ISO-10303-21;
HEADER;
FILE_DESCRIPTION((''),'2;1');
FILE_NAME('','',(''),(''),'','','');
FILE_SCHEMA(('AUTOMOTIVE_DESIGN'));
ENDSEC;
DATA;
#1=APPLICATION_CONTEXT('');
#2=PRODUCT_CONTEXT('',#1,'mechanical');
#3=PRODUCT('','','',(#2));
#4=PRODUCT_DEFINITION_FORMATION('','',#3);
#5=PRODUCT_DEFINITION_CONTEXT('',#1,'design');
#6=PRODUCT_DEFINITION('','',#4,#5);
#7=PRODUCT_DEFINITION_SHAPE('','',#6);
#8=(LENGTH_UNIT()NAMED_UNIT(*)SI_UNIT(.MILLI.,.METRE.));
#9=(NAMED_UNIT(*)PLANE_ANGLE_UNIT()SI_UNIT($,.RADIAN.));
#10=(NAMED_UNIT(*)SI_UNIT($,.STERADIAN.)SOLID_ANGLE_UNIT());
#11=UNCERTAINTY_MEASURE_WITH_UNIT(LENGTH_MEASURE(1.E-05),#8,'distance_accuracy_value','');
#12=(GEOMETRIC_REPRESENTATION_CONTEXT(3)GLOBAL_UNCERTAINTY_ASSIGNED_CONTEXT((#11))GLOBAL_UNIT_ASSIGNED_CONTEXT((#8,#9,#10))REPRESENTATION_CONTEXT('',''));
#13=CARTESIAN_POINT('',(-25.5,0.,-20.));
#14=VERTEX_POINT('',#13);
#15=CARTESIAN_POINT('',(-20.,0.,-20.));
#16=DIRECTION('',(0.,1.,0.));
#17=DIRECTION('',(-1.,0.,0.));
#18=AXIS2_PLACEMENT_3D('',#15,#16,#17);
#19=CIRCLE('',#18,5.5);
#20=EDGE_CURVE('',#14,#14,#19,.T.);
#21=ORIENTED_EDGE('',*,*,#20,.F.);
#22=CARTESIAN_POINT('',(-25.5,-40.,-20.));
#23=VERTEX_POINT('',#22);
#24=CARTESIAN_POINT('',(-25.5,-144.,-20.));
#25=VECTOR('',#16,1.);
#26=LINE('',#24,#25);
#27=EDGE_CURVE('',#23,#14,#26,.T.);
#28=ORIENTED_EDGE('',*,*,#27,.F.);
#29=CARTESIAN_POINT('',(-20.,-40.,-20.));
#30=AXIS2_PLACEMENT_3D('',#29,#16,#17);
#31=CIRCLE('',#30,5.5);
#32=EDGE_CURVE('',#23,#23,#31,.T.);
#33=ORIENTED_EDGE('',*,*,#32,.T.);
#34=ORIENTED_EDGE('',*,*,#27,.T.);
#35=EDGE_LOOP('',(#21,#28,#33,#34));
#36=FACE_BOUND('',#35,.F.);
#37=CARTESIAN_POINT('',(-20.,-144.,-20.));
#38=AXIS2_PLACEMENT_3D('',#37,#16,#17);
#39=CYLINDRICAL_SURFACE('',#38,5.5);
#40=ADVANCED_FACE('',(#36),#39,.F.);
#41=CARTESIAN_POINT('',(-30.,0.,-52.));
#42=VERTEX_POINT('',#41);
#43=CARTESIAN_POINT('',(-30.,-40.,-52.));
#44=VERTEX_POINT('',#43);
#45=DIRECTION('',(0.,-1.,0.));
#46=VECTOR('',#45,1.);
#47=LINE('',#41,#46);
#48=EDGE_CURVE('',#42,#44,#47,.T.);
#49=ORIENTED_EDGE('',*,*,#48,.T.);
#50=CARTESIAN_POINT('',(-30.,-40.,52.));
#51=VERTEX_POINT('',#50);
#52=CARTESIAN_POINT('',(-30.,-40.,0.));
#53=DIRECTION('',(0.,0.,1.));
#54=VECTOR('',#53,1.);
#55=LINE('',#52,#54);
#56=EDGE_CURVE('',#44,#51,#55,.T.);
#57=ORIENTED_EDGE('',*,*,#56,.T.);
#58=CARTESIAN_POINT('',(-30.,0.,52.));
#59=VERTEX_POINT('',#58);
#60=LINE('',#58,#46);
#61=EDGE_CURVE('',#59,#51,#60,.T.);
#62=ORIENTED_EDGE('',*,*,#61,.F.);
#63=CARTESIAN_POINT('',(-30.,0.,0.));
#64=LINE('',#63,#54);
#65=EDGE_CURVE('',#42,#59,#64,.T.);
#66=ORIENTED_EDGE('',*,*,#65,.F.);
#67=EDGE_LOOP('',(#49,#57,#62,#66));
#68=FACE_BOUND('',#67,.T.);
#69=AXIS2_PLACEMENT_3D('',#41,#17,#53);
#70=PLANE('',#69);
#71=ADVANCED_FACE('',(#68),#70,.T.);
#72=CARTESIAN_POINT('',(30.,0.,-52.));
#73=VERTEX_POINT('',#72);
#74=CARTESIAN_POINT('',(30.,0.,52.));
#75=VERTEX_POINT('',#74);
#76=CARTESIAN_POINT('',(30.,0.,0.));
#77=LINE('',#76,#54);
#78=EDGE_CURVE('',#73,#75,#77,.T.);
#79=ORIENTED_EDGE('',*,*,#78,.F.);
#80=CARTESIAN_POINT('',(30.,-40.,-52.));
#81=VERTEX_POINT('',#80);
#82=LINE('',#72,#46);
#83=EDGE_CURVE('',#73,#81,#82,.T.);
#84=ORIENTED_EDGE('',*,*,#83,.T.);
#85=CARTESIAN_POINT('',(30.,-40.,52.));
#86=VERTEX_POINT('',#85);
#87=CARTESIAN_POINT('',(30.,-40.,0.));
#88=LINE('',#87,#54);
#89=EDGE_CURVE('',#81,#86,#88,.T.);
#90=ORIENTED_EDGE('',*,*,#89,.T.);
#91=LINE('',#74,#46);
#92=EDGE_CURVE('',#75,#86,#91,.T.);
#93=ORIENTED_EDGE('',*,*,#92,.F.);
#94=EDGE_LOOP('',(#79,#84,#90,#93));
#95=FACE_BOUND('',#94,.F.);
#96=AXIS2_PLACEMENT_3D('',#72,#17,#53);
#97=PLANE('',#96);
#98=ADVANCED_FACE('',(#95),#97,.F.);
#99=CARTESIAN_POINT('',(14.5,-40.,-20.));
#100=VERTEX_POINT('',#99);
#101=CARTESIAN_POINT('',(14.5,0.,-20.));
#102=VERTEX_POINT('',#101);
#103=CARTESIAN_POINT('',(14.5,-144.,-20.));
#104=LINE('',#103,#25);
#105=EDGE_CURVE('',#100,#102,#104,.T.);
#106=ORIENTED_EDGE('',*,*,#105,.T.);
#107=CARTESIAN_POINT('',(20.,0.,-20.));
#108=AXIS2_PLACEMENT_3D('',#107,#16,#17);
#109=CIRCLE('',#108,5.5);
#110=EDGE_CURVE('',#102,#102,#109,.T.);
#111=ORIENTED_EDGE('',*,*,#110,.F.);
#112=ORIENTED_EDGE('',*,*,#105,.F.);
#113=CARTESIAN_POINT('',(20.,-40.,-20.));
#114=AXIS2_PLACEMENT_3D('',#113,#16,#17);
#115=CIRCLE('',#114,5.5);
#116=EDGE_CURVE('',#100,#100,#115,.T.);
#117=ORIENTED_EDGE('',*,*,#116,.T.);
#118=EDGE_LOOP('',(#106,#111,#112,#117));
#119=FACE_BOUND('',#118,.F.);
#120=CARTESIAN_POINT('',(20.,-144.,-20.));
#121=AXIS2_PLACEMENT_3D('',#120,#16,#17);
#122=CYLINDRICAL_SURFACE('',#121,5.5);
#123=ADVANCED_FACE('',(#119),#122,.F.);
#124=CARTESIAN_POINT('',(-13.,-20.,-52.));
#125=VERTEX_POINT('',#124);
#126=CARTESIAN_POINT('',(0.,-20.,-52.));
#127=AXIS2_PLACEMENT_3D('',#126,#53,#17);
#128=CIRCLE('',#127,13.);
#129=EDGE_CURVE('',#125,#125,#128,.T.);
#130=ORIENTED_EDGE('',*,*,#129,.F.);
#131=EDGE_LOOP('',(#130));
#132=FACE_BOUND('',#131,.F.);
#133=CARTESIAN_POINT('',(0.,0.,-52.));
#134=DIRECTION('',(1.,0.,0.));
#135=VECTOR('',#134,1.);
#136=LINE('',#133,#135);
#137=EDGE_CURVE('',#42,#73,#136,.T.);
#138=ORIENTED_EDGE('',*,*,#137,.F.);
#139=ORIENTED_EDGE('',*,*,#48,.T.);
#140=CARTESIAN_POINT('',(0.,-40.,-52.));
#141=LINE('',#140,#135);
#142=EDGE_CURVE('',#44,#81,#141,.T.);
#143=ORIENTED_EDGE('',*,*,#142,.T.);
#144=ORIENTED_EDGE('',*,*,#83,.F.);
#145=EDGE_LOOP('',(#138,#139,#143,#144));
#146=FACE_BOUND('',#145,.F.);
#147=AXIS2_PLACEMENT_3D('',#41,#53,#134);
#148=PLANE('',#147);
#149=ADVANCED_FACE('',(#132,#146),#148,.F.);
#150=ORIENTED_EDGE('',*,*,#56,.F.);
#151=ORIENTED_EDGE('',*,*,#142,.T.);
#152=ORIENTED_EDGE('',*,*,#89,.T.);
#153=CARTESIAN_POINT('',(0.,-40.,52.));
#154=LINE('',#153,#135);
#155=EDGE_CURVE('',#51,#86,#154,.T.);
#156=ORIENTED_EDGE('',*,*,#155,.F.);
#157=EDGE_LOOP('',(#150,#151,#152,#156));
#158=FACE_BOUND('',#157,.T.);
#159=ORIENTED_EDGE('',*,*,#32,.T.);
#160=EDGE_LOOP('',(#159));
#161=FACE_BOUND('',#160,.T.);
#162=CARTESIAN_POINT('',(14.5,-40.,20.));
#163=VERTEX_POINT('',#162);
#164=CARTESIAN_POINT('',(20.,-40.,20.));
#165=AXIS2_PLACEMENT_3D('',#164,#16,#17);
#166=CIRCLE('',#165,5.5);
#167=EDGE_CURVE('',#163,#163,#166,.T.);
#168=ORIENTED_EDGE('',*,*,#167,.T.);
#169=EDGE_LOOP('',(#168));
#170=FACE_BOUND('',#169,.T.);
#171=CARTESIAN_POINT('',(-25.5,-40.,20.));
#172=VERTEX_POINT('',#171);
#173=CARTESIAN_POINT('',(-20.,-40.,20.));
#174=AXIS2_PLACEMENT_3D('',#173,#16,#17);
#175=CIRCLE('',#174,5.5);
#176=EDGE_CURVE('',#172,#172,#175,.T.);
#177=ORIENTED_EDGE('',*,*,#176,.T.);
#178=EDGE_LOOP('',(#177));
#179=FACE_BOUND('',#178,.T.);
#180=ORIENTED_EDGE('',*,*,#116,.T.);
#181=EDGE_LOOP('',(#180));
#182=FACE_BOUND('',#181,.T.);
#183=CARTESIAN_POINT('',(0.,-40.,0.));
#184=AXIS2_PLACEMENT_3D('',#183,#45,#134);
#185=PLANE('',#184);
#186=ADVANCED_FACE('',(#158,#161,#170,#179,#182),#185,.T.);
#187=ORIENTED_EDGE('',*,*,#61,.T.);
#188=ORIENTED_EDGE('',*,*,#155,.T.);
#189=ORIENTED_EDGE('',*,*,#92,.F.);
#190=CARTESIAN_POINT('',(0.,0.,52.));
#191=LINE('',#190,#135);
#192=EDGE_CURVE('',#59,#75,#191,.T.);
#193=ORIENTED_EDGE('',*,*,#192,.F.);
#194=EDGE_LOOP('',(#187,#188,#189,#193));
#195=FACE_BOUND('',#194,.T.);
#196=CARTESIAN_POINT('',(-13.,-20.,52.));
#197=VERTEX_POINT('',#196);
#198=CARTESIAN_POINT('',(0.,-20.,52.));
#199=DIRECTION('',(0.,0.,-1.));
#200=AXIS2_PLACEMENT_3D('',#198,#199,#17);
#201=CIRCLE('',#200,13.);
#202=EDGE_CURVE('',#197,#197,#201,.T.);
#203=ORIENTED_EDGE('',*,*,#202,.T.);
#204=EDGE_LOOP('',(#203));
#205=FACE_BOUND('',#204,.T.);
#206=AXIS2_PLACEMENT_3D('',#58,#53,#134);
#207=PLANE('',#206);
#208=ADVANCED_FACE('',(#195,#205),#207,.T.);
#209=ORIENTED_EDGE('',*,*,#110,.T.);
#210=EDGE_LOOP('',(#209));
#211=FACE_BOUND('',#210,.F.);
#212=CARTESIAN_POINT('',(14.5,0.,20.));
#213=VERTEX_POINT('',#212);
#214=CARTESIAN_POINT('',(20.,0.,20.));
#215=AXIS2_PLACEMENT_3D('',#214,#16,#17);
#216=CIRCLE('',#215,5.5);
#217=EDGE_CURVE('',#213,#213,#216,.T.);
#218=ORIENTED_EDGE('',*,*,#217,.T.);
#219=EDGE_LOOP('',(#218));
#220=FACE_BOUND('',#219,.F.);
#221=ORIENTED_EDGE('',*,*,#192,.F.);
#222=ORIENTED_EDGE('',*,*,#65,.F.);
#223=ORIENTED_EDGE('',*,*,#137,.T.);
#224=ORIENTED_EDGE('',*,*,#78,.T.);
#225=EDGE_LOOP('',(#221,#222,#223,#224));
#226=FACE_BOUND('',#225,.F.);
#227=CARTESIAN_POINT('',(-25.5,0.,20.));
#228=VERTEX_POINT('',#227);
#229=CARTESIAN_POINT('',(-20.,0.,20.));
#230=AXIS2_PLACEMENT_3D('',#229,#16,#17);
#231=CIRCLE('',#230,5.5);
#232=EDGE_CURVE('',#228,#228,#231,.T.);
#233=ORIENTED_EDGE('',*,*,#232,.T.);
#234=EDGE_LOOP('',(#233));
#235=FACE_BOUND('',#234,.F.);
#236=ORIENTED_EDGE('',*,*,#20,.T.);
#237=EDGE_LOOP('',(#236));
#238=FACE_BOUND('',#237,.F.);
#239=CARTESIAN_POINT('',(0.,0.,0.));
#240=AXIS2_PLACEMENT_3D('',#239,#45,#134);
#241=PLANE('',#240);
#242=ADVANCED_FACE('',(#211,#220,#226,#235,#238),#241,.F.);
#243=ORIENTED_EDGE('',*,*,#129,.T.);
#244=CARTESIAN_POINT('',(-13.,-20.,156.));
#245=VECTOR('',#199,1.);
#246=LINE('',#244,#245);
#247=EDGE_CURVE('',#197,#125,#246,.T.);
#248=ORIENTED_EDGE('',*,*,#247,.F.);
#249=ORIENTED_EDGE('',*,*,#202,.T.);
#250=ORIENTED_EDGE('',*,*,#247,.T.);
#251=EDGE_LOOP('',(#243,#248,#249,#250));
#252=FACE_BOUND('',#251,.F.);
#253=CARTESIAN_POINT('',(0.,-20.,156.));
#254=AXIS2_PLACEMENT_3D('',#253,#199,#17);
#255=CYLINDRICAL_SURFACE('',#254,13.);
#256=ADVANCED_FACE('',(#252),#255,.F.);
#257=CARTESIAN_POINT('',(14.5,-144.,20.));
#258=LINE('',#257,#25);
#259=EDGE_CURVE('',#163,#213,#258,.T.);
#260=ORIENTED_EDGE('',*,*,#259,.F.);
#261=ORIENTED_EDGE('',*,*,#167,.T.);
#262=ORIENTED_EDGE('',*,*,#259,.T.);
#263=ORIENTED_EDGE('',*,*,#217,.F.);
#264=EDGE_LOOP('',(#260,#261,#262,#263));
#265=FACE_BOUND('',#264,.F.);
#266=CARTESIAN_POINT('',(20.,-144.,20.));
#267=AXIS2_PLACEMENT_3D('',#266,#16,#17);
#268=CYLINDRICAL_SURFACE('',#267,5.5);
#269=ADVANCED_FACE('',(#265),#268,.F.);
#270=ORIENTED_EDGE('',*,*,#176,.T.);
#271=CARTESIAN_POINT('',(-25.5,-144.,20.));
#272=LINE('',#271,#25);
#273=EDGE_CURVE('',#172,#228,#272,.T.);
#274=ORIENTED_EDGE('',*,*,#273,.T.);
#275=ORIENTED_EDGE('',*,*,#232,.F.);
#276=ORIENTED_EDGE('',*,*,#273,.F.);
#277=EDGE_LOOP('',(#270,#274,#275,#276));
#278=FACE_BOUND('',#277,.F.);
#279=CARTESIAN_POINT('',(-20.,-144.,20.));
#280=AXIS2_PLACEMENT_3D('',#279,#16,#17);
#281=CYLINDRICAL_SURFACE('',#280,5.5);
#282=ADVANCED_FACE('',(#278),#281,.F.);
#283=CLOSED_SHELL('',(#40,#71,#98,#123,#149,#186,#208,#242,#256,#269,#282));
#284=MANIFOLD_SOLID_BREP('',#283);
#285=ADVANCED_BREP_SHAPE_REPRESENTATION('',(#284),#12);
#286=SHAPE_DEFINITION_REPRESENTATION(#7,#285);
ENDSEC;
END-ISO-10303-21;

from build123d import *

# Parameters (mm, degrees)
F0_W     = 60
F0_H     = 104
F1_DEPTH = 40
F3_D     = 26
F3_DEPTH = 104
F3_TIP   = 7.8111880474
F5_D     = 11
F5_DEPTH = 104
F5_TIP   = 3.3047334047


with BuildPart() as f1:
    # F0 (on Front) → F1 (new body)
    with BuildSketch(Plane.XZ):
        Rectangle(F0_W, F0_H)
    extrude(amount=F1_DEPTH)

    # F3
    with Locations(Plane.XY.offset(52)):
        with Locations((0, -20)):
            Hole(F3_D / 2, depth=F3_DEPTH)
            with Locations((0, 0, -(F3_DEPTH + F3_TIP / 2))):  # 118° drill point
                Cone(0, F3_D / 2, F3_TIP, mode=Mode.SUBTRACT)

    # F5
    with Locations(Plane.XZ.offset(40)):
        with Locations((-20, 20), (-20, -20), (20, -20), (20, 20)):
            Hole(F5_D / 2, depth=F5_DEPTH)
            with Locations((0, 0, -(F5_DEPTH + F5_TIP / 2))):  # 118° drill point
                Cone(0, F5_D / 2, F5_TIP, mode=Mode.SUBTRACT)


solid = f1.part
